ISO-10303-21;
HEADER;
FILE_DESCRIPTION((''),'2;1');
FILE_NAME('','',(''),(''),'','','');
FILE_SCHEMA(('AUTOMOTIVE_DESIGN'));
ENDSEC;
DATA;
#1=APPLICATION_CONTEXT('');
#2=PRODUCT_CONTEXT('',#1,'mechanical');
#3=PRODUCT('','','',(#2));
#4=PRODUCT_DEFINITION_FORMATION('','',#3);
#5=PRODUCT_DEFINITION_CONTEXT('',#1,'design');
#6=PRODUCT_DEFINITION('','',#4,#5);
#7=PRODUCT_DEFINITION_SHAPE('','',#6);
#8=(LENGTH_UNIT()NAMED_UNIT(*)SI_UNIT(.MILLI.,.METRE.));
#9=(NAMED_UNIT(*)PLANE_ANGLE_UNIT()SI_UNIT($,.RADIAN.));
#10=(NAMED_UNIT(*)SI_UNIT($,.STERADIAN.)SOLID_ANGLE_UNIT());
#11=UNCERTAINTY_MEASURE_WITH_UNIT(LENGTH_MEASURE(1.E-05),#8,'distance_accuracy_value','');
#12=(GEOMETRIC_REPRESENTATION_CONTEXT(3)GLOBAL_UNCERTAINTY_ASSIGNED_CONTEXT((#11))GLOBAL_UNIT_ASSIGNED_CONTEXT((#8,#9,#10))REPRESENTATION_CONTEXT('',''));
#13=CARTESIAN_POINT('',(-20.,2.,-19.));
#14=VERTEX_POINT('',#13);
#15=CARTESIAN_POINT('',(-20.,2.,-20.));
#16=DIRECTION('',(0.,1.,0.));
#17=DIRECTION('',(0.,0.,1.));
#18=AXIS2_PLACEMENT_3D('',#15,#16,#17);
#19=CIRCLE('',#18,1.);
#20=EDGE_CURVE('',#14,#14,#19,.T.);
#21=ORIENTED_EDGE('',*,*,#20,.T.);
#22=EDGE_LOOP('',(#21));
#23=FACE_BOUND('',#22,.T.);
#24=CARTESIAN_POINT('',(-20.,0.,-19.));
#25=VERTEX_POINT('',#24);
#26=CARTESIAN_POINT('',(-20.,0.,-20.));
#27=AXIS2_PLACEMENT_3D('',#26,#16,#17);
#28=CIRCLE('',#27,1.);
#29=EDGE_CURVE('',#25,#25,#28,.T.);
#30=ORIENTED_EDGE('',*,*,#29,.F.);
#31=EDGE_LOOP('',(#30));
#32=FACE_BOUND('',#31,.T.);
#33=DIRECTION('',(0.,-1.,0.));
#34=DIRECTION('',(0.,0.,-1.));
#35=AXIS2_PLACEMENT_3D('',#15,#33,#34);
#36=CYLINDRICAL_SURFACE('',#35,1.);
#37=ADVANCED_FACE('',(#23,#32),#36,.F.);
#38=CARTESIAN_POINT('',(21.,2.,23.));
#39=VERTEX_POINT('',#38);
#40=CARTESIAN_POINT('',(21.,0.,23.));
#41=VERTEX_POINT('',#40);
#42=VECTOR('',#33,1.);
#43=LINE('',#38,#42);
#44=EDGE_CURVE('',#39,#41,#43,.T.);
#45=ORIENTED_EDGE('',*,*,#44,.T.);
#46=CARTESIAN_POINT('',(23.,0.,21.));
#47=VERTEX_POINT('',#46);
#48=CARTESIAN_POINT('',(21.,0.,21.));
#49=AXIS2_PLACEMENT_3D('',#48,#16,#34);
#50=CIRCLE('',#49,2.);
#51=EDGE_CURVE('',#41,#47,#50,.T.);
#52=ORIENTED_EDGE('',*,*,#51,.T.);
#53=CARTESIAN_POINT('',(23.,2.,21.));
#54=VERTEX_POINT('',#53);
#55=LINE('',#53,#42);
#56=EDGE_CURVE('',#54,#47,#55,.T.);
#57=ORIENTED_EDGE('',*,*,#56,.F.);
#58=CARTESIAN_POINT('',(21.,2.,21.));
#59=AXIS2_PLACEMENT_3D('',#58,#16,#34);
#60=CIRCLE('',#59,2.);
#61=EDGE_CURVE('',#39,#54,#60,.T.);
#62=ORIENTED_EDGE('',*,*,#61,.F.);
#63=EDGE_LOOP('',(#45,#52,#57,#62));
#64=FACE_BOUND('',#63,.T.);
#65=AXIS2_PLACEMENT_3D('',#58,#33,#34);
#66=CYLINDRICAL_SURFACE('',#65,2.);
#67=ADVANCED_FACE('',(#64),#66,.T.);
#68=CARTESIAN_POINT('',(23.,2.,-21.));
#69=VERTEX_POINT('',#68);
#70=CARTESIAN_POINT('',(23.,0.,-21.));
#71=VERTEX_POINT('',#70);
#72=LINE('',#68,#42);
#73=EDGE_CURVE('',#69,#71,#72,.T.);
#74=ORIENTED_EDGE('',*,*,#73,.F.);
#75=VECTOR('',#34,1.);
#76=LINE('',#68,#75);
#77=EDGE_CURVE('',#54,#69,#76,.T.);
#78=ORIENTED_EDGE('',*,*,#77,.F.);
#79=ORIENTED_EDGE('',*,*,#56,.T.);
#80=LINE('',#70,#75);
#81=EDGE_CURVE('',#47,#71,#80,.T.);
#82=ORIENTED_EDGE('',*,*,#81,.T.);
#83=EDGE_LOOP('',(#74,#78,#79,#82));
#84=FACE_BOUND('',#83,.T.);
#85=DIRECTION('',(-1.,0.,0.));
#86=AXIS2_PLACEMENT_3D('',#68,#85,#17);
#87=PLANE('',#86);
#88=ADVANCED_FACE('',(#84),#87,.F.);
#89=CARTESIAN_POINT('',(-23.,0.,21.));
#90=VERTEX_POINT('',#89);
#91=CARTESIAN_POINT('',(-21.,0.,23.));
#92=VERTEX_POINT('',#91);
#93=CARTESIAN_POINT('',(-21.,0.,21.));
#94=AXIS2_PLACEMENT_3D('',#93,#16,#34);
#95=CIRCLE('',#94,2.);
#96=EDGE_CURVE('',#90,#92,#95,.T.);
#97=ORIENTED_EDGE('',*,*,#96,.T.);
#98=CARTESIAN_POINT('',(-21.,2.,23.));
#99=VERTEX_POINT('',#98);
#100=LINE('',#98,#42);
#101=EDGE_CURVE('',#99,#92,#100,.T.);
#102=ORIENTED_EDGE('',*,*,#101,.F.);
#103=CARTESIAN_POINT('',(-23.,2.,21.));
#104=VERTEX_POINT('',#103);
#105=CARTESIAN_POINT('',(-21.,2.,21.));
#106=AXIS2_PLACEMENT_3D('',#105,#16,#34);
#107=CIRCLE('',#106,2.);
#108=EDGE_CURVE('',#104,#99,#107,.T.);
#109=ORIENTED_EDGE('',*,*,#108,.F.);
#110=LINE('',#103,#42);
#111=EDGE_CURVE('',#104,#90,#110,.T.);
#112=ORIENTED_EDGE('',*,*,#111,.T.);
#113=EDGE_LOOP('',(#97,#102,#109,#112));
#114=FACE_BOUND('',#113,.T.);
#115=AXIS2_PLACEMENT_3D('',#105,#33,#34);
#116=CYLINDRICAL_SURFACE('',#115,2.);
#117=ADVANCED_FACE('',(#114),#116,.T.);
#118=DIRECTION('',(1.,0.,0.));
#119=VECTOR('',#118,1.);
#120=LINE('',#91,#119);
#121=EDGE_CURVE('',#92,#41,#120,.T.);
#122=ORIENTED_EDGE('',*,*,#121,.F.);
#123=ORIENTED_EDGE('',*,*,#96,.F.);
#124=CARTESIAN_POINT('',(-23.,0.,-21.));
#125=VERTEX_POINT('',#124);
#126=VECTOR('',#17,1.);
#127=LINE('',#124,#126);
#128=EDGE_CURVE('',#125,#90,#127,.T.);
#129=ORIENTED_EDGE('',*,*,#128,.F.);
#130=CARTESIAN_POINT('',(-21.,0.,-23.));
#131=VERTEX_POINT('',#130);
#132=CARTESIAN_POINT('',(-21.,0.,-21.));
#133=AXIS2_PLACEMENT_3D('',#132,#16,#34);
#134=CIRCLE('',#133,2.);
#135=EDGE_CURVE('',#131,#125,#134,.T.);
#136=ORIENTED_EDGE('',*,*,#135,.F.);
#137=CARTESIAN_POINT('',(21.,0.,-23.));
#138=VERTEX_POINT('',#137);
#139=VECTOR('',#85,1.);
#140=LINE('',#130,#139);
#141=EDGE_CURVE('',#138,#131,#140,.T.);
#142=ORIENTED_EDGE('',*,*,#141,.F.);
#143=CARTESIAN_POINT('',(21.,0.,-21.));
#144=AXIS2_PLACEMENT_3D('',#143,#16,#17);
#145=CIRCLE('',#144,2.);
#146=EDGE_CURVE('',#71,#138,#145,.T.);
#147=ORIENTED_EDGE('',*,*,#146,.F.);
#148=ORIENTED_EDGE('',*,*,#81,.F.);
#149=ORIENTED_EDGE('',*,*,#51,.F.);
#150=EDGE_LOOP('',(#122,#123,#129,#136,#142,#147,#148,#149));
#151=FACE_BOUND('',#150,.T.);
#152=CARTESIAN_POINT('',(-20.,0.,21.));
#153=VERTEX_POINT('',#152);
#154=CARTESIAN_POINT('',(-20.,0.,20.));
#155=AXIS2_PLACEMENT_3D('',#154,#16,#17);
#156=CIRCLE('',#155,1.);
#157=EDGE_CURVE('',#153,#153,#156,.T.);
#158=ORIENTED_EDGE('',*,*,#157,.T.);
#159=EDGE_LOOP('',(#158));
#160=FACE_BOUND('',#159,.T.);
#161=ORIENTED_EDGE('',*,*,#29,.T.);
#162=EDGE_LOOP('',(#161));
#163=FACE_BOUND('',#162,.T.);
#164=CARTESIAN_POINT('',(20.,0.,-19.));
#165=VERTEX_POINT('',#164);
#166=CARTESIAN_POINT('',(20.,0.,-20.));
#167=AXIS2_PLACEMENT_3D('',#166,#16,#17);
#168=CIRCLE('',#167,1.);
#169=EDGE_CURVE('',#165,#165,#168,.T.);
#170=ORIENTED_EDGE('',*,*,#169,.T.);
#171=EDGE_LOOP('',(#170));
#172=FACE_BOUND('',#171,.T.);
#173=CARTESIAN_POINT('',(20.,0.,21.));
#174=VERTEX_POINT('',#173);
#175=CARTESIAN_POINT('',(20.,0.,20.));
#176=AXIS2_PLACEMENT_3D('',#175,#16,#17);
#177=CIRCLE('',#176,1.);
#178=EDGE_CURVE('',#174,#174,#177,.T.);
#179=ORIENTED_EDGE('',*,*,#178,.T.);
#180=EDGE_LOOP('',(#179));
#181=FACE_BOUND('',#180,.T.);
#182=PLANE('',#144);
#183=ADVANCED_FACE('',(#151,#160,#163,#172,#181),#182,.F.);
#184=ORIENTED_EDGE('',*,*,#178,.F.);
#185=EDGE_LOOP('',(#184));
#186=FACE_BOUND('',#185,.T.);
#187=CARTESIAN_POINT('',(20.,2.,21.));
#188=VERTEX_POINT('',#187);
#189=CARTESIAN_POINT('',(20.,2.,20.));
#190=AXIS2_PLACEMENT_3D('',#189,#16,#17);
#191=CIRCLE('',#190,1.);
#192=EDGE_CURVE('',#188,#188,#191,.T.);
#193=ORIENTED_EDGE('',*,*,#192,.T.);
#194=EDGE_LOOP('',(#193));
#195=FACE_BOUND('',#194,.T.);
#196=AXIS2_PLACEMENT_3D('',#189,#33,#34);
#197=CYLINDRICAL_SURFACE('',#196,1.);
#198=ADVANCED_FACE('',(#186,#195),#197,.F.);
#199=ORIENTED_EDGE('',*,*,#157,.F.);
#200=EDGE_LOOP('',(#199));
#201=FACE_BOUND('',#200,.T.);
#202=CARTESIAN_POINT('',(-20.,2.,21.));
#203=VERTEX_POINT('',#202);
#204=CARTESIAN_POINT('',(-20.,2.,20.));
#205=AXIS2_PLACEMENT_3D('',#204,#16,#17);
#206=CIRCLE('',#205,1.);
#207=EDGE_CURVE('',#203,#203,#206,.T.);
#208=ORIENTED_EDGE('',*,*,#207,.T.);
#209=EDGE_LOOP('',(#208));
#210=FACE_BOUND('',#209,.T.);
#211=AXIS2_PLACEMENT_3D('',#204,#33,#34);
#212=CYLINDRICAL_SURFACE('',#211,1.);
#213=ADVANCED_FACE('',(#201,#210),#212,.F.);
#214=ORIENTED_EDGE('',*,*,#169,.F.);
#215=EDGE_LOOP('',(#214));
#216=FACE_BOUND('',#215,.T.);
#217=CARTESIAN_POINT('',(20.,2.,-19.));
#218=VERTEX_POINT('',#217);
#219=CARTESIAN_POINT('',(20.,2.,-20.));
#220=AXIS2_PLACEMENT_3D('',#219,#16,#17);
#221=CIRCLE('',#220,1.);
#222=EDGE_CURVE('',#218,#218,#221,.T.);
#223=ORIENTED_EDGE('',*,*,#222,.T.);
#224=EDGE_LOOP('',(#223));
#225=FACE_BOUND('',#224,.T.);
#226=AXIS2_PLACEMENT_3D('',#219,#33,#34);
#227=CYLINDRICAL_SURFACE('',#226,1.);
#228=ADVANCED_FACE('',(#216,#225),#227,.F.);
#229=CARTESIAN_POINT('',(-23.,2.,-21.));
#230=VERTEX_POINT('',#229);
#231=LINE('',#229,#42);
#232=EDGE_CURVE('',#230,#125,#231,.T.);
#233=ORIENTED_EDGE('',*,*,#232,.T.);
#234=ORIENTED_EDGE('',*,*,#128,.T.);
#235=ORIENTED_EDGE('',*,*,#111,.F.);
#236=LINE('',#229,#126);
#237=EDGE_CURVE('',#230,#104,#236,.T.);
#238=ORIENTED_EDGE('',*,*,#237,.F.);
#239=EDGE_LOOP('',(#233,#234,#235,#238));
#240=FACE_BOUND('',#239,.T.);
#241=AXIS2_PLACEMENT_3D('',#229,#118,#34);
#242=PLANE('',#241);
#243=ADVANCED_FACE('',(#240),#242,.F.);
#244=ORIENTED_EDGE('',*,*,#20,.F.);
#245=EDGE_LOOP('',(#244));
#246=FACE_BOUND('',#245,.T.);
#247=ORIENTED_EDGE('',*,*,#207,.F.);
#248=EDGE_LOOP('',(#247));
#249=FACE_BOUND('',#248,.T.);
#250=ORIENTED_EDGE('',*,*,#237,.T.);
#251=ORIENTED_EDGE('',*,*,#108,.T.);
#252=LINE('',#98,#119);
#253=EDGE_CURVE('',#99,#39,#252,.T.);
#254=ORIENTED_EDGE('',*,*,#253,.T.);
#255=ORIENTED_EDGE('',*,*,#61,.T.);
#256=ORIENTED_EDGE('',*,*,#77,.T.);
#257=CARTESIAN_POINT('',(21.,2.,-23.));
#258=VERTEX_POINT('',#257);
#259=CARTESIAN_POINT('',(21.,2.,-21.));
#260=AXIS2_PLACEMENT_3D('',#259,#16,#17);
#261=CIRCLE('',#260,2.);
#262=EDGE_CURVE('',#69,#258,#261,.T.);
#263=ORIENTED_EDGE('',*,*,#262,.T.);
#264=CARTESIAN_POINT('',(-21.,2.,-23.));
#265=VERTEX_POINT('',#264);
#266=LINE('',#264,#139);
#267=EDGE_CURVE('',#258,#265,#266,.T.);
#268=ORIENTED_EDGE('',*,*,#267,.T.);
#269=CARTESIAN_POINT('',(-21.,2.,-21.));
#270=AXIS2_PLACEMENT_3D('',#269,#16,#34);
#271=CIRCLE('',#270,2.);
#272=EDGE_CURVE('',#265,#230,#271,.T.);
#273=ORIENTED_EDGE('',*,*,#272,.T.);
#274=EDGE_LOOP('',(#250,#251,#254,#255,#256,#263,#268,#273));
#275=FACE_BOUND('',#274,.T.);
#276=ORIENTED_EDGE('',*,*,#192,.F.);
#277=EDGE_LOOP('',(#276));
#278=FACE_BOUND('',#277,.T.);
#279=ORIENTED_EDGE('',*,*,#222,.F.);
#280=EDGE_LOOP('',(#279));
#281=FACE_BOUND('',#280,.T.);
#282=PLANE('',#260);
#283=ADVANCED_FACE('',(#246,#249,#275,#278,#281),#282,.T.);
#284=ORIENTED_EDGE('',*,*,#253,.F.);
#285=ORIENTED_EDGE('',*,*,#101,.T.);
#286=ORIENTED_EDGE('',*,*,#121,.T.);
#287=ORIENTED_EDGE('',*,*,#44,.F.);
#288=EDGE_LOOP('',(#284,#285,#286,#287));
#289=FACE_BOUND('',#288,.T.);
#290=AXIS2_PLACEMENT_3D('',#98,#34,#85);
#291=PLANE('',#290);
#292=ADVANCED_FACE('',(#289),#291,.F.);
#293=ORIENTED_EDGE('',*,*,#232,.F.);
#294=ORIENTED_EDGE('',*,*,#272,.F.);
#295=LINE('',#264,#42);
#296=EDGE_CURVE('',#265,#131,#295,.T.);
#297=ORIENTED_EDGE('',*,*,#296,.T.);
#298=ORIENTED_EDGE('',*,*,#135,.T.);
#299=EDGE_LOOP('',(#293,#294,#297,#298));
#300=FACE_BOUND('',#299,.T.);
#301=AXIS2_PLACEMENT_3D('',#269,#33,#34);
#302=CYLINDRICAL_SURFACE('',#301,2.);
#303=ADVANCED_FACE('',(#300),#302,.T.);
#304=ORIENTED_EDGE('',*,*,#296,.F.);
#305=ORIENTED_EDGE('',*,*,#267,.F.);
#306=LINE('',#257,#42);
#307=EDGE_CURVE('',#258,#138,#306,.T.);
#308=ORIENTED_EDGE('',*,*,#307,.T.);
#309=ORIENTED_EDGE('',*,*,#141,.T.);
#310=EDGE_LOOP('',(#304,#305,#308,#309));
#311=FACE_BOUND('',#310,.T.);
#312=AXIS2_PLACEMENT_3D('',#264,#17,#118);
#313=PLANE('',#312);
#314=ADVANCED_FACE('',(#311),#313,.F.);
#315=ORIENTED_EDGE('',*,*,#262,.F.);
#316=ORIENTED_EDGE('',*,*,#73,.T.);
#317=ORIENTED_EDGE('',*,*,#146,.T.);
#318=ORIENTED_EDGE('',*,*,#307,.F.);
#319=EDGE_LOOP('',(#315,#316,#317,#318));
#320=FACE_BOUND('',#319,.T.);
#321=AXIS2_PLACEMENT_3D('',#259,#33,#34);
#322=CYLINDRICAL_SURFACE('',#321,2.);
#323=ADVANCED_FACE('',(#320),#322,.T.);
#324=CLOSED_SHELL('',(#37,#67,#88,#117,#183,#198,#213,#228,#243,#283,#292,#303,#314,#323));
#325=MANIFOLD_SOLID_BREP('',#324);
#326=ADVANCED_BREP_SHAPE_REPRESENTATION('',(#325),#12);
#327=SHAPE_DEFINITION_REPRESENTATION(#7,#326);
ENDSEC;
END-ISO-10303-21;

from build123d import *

# Parameters (mm, degrees)
SKETCH1_R           = 1
BOSS_EXTRUDE1_DEPTH = 2


with BuildPart() as part:
    # Sketch1 → Boss-Extrude1 (new body)
    with BuildSketch(Plane(origin=(0, 0, 0), x_dir=(1, 0, 0), z_dir=(0, 1, 0))):
        with BuildLine():
            Line((-21, 23), (21, 23))
            ThreePointArc((21, 23), (22.414213562, 22.414213562), (23, 21))
            Line((23, 21), (23, -21))
            ThreePointArc((23, -21), (22.414213562, -22.414213562), (21, -23))
            Line((21, -23), (-21, -23))
            ThreePointArc((-21, -23), (-22.414213562, -22.414213562), (-23, -21))
            Line((-23, -21), (-23, 21))
            ThreePointArc((-23, 21), (-22.414213562, 22.414213562), (-21, 23))
        make_face()
        with Locations((-20, 20)):
            Circle(SKETCH1_R, mode=Mode.SUBTRACT)
        with Locations((20, 20)):
            Circle(SKETCH1_R, mode=Mode.SUBTRACT)
        with Locations((-20, -20)):
            Circle(SKETCH1_R, mode=Mode.SUBTRACT)
        with Locations((20, -20)):
            Circle(SKETCH1_R, mode=Mode.SUBTRACT)
    extrude(amount=BOSS_EXTRUDE1_DEPTH)


solid = part.part
